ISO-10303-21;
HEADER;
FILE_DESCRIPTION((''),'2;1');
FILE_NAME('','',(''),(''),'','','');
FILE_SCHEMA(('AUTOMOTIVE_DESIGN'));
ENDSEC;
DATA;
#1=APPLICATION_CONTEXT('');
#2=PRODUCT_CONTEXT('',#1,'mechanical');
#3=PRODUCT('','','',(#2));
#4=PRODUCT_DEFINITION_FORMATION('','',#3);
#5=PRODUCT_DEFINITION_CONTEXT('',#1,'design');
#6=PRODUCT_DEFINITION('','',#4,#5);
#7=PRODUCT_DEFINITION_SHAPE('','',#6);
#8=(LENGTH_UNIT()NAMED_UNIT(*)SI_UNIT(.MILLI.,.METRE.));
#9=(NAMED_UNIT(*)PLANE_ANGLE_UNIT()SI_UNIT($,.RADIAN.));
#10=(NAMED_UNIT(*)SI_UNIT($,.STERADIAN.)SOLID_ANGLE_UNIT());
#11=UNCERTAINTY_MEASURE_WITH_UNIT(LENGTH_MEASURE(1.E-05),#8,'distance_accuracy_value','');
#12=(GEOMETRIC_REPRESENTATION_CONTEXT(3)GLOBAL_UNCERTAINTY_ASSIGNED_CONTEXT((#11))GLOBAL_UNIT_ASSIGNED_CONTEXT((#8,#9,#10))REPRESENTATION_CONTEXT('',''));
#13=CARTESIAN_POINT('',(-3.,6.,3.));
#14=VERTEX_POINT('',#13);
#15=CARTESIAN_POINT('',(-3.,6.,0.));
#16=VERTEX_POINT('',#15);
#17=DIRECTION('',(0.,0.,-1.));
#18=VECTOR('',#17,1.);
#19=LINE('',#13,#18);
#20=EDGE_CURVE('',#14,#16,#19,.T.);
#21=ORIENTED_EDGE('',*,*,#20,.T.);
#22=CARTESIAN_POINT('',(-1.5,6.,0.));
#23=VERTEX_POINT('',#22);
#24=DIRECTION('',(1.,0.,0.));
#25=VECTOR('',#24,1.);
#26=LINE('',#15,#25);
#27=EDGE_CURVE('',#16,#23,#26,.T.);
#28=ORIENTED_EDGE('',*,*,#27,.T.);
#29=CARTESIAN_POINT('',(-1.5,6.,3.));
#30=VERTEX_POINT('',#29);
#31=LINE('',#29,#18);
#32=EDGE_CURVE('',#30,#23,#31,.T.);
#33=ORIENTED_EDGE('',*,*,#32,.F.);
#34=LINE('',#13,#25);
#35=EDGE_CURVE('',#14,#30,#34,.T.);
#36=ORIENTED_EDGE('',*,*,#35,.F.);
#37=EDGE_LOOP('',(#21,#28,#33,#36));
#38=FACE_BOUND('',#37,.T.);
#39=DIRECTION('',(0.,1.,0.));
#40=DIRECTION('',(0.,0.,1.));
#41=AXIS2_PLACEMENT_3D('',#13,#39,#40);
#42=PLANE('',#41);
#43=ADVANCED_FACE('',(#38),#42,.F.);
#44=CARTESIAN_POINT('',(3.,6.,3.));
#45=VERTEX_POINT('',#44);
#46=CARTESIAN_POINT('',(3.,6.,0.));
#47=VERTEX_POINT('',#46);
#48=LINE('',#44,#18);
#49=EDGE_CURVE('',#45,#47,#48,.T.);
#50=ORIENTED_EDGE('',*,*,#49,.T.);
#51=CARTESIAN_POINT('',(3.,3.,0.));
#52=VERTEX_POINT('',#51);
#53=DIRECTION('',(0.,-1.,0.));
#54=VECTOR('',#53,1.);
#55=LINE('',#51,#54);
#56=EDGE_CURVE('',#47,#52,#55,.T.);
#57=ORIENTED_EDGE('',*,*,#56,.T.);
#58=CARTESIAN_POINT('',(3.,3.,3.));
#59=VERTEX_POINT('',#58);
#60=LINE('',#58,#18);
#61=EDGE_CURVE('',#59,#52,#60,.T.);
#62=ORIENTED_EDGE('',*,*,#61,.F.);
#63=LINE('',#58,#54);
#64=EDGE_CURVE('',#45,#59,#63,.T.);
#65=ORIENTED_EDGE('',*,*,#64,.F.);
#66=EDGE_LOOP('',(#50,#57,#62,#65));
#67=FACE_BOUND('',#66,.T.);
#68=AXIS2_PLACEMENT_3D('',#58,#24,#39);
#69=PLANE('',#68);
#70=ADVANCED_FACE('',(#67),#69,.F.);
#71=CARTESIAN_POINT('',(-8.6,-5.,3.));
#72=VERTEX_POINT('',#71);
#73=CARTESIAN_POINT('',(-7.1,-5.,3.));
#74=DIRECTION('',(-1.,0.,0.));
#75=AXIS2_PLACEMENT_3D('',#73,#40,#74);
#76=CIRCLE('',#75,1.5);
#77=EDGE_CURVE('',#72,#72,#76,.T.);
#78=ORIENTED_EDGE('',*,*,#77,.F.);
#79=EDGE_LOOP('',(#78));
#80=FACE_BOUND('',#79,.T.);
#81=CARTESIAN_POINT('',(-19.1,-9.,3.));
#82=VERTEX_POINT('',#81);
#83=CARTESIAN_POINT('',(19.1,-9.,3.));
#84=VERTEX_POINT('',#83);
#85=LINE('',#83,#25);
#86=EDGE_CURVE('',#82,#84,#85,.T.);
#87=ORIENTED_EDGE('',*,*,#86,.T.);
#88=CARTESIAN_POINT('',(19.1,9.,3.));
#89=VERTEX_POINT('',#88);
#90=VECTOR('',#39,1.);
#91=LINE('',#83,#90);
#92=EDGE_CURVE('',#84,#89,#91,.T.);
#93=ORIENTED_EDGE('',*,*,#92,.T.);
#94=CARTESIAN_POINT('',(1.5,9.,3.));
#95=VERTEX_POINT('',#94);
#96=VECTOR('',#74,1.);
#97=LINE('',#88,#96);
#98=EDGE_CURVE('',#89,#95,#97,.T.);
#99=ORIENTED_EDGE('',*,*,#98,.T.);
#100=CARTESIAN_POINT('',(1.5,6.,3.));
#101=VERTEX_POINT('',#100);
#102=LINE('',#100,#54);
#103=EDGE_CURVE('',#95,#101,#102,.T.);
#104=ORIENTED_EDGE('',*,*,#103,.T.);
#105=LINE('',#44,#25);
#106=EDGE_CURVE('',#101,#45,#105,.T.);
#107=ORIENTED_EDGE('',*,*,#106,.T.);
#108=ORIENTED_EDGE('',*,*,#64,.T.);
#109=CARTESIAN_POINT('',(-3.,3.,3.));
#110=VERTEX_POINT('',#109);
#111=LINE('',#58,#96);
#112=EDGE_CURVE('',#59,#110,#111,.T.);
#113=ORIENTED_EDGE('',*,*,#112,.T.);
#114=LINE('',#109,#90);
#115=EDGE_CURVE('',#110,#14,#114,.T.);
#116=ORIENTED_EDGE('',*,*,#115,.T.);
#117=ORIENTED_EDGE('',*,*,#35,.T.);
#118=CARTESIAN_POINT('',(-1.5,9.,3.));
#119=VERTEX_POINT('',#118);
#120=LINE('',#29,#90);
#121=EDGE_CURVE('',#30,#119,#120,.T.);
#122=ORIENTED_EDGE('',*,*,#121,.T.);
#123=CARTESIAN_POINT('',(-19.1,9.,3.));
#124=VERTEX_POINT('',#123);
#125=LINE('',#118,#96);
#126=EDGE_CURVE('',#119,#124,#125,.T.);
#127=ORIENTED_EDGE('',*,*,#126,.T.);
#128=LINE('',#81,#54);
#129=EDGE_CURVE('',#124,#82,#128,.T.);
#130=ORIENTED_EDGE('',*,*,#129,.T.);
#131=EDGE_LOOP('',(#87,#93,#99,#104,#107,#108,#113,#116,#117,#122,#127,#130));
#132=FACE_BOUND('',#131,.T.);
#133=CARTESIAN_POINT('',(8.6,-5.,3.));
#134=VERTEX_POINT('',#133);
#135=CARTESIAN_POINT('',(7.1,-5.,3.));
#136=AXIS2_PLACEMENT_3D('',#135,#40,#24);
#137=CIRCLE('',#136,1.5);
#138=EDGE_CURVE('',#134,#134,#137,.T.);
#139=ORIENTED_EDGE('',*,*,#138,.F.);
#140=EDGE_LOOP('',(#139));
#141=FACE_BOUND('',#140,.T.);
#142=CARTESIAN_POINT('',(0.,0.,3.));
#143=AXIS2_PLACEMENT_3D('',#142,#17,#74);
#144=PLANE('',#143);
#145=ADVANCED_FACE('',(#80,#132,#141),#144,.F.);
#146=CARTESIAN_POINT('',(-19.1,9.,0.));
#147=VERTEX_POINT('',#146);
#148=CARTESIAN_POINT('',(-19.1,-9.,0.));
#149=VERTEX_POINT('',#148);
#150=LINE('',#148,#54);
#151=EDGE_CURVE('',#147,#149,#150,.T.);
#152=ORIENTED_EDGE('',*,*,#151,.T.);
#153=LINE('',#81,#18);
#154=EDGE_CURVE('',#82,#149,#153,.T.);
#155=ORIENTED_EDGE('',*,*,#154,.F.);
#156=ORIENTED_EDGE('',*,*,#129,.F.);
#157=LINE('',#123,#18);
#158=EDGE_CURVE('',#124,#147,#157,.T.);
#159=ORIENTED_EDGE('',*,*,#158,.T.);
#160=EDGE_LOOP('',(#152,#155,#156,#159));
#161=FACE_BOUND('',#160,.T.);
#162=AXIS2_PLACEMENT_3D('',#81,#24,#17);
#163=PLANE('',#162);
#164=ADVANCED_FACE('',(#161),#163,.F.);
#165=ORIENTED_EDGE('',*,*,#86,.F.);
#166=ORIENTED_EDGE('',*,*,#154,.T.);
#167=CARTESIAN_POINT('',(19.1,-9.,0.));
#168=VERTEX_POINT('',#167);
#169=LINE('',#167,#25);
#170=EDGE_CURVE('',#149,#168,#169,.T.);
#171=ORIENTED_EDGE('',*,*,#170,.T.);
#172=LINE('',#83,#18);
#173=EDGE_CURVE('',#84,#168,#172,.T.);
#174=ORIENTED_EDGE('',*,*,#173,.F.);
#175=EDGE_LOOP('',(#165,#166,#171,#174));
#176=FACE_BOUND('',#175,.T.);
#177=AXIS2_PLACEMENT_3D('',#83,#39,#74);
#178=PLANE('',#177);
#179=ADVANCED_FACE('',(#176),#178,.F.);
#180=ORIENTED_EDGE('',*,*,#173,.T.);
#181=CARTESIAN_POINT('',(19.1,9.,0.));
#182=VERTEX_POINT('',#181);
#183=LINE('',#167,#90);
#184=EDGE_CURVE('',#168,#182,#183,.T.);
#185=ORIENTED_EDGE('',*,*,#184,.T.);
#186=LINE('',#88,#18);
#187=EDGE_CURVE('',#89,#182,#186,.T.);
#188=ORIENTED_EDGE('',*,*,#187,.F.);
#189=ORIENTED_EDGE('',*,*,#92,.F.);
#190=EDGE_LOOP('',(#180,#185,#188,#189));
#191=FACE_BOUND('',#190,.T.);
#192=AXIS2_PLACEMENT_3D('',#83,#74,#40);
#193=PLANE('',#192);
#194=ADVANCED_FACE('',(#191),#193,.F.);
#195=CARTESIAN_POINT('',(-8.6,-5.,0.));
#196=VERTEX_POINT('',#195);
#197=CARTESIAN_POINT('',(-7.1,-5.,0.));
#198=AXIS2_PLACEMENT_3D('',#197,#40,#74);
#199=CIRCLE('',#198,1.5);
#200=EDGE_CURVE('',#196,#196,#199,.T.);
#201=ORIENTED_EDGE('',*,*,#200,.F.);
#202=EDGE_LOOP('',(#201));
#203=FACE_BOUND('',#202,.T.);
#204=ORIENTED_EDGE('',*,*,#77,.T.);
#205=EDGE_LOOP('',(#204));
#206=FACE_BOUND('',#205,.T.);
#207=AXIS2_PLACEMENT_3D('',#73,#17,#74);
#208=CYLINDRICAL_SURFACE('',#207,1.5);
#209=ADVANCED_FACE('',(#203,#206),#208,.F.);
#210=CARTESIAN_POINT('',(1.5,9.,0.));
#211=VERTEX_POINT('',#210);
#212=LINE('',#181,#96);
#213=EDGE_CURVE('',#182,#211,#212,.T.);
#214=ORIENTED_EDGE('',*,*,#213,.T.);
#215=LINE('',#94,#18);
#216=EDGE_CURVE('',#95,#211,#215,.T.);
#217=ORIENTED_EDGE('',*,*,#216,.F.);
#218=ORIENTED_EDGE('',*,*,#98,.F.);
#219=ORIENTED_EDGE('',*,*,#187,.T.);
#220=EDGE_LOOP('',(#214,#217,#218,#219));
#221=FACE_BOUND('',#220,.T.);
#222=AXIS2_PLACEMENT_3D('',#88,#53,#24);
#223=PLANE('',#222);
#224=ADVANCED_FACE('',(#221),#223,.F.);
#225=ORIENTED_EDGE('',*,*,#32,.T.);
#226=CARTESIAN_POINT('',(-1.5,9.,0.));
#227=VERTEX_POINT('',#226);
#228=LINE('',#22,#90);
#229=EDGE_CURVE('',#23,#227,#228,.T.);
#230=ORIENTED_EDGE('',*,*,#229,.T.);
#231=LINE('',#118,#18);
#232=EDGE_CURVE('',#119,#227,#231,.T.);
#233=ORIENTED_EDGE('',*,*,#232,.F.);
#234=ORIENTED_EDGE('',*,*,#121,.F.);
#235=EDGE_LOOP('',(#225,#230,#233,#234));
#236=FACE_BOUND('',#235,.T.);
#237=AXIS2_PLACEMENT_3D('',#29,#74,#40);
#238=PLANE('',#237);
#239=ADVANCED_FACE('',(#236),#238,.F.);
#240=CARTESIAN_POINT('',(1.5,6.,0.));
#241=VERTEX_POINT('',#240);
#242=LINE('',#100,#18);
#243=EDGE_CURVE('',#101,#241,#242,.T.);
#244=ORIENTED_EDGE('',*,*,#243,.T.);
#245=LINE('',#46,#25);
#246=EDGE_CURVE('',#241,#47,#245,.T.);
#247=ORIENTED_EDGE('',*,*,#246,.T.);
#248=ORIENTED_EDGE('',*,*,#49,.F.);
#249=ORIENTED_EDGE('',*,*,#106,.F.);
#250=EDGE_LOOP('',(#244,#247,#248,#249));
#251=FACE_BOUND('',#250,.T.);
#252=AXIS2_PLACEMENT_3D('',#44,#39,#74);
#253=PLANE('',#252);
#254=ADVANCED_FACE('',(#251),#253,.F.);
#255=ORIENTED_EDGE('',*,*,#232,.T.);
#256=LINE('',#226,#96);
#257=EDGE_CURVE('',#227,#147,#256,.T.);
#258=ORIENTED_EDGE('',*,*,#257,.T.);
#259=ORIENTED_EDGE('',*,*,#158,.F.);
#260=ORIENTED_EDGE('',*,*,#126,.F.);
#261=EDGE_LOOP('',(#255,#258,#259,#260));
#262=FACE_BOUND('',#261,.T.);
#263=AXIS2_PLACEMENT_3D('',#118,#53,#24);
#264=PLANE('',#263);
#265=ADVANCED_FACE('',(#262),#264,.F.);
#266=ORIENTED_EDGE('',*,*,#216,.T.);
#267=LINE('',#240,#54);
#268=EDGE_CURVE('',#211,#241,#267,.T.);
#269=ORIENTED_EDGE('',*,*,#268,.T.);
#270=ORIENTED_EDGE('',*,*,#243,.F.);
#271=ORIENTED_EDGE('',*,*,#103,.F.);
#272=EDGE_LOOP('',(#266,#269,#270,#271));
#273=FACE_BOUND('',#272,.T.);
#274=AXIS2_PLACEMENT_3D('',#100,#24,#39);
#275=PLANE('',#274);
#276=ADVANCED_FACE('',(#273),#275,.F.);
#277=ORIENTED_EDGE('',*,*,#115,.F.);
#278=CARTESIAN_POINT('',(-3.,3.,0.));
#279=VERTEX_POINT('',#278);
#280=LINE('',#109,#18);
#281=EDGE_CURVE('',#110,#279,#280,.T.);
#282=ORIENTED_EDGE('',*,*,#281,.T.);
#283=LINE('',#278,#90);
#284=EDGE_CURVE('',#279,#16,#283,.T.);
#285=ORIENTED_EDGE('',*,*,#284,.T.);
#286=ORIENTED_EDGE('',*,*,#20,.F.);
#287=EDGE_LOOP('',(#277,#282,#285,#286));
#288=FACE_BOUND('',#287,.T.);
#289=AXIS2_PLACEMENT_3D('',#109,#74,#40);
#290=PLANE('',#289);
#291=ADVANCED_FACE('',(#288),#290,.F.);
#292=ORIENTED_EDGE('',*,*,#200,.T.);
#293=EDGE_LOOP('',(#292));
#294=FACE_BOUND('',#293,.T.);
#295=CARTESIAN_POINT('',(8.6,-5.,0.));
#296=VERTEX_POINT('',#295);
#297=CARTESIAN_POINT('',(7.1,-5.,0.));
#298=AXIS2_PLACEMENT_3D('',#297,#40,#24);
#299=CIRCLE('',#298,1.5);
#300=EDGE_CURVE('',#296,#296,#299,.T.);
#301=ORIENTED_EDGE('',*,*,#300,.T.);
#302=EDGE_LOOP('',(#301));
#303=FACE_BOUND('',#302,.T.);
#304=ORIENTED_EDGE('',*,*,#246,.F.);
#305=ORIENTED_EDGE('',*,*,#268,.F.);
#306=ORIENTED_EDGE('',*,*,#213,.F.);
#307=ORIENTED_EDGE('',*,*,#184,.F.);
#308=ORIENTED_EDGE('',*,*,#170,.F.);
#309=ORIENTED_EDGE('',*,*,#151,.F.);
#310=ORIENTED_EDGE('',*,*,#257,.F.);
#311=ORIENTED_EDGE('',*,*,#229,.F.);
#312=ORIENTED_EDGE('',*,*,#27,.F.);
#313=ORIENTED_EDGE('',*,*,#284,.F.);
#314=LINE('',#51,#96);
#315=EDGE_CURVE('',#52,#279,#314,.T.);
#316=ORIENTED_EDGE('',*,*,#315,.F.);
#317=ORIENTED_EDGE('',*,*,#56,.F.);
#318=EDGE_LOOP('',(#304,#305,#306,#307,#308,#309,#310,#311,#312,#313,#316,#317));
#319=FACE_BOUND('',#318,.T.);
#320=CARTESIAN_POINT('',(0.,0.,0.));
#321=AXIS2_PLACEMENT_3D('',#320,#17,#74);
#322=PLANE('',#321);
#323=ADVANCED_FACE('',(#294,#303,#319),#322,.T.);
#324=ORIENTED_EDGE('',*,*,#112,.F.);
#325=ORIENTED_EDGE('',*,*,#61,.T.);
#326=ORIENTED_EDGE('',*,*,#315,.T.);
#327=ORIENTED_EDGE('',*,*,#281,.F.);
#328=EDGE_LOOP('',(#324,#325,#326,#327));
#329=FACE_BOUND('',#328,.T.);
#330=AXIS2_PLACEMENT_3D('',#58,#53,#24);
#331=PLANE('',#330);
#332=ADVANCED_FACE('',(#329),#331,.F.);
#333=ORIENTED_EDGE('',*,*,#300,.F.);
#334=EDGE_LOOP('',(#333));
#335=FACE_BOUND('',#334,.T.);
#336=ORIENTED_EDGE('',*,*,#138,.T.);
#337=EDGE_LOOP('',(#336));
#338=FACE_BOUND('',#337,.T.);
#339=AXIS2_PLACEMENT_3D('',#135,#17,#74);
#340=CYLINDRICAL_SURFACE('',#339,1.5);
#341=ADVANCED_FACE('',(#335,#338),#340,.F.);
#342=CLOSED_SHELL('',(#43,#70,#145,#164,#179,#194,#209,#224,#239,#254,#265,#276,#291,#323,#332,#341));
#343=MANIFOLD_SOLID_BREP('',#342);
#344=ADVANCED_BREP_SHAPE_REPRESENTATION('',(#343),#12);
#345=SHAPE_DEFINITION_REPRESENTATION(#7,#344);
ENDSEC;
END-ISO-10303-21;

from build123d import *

# Parameters (mm, degrees)
CROQUIS1_R              = 1.5
SALIENTE_EXTRUIR1_DEPTH = 3


with BuildPart() as part:
    # Croquis1 → Saliente-Extruir1 (new body)
    with BuildSketch(Plane.XY):
        Polygon((19.1, -9), (-19.1, -9), (-19.1, 9), (-1.5, 9), (-1.5, 6), (-3, 6), (-3, 3), (3, 3), (3, 6), (1.5, 6), (1.5, 9), (19.1, 9), align=None)
        with Locations((7.1, -5)):
            Circle(CROQUIS1_R, mode=Mode.SUBTRACT)
        with Locations(Location((-7.1, -5, 0), (0, 0, 180))):
            Circle(CROQUIS1_R, mode=Mode.SUBTRACT)
    extrude(amount=SALIENTE_EXTRUIR1_DEPTH)


solid = part.part
